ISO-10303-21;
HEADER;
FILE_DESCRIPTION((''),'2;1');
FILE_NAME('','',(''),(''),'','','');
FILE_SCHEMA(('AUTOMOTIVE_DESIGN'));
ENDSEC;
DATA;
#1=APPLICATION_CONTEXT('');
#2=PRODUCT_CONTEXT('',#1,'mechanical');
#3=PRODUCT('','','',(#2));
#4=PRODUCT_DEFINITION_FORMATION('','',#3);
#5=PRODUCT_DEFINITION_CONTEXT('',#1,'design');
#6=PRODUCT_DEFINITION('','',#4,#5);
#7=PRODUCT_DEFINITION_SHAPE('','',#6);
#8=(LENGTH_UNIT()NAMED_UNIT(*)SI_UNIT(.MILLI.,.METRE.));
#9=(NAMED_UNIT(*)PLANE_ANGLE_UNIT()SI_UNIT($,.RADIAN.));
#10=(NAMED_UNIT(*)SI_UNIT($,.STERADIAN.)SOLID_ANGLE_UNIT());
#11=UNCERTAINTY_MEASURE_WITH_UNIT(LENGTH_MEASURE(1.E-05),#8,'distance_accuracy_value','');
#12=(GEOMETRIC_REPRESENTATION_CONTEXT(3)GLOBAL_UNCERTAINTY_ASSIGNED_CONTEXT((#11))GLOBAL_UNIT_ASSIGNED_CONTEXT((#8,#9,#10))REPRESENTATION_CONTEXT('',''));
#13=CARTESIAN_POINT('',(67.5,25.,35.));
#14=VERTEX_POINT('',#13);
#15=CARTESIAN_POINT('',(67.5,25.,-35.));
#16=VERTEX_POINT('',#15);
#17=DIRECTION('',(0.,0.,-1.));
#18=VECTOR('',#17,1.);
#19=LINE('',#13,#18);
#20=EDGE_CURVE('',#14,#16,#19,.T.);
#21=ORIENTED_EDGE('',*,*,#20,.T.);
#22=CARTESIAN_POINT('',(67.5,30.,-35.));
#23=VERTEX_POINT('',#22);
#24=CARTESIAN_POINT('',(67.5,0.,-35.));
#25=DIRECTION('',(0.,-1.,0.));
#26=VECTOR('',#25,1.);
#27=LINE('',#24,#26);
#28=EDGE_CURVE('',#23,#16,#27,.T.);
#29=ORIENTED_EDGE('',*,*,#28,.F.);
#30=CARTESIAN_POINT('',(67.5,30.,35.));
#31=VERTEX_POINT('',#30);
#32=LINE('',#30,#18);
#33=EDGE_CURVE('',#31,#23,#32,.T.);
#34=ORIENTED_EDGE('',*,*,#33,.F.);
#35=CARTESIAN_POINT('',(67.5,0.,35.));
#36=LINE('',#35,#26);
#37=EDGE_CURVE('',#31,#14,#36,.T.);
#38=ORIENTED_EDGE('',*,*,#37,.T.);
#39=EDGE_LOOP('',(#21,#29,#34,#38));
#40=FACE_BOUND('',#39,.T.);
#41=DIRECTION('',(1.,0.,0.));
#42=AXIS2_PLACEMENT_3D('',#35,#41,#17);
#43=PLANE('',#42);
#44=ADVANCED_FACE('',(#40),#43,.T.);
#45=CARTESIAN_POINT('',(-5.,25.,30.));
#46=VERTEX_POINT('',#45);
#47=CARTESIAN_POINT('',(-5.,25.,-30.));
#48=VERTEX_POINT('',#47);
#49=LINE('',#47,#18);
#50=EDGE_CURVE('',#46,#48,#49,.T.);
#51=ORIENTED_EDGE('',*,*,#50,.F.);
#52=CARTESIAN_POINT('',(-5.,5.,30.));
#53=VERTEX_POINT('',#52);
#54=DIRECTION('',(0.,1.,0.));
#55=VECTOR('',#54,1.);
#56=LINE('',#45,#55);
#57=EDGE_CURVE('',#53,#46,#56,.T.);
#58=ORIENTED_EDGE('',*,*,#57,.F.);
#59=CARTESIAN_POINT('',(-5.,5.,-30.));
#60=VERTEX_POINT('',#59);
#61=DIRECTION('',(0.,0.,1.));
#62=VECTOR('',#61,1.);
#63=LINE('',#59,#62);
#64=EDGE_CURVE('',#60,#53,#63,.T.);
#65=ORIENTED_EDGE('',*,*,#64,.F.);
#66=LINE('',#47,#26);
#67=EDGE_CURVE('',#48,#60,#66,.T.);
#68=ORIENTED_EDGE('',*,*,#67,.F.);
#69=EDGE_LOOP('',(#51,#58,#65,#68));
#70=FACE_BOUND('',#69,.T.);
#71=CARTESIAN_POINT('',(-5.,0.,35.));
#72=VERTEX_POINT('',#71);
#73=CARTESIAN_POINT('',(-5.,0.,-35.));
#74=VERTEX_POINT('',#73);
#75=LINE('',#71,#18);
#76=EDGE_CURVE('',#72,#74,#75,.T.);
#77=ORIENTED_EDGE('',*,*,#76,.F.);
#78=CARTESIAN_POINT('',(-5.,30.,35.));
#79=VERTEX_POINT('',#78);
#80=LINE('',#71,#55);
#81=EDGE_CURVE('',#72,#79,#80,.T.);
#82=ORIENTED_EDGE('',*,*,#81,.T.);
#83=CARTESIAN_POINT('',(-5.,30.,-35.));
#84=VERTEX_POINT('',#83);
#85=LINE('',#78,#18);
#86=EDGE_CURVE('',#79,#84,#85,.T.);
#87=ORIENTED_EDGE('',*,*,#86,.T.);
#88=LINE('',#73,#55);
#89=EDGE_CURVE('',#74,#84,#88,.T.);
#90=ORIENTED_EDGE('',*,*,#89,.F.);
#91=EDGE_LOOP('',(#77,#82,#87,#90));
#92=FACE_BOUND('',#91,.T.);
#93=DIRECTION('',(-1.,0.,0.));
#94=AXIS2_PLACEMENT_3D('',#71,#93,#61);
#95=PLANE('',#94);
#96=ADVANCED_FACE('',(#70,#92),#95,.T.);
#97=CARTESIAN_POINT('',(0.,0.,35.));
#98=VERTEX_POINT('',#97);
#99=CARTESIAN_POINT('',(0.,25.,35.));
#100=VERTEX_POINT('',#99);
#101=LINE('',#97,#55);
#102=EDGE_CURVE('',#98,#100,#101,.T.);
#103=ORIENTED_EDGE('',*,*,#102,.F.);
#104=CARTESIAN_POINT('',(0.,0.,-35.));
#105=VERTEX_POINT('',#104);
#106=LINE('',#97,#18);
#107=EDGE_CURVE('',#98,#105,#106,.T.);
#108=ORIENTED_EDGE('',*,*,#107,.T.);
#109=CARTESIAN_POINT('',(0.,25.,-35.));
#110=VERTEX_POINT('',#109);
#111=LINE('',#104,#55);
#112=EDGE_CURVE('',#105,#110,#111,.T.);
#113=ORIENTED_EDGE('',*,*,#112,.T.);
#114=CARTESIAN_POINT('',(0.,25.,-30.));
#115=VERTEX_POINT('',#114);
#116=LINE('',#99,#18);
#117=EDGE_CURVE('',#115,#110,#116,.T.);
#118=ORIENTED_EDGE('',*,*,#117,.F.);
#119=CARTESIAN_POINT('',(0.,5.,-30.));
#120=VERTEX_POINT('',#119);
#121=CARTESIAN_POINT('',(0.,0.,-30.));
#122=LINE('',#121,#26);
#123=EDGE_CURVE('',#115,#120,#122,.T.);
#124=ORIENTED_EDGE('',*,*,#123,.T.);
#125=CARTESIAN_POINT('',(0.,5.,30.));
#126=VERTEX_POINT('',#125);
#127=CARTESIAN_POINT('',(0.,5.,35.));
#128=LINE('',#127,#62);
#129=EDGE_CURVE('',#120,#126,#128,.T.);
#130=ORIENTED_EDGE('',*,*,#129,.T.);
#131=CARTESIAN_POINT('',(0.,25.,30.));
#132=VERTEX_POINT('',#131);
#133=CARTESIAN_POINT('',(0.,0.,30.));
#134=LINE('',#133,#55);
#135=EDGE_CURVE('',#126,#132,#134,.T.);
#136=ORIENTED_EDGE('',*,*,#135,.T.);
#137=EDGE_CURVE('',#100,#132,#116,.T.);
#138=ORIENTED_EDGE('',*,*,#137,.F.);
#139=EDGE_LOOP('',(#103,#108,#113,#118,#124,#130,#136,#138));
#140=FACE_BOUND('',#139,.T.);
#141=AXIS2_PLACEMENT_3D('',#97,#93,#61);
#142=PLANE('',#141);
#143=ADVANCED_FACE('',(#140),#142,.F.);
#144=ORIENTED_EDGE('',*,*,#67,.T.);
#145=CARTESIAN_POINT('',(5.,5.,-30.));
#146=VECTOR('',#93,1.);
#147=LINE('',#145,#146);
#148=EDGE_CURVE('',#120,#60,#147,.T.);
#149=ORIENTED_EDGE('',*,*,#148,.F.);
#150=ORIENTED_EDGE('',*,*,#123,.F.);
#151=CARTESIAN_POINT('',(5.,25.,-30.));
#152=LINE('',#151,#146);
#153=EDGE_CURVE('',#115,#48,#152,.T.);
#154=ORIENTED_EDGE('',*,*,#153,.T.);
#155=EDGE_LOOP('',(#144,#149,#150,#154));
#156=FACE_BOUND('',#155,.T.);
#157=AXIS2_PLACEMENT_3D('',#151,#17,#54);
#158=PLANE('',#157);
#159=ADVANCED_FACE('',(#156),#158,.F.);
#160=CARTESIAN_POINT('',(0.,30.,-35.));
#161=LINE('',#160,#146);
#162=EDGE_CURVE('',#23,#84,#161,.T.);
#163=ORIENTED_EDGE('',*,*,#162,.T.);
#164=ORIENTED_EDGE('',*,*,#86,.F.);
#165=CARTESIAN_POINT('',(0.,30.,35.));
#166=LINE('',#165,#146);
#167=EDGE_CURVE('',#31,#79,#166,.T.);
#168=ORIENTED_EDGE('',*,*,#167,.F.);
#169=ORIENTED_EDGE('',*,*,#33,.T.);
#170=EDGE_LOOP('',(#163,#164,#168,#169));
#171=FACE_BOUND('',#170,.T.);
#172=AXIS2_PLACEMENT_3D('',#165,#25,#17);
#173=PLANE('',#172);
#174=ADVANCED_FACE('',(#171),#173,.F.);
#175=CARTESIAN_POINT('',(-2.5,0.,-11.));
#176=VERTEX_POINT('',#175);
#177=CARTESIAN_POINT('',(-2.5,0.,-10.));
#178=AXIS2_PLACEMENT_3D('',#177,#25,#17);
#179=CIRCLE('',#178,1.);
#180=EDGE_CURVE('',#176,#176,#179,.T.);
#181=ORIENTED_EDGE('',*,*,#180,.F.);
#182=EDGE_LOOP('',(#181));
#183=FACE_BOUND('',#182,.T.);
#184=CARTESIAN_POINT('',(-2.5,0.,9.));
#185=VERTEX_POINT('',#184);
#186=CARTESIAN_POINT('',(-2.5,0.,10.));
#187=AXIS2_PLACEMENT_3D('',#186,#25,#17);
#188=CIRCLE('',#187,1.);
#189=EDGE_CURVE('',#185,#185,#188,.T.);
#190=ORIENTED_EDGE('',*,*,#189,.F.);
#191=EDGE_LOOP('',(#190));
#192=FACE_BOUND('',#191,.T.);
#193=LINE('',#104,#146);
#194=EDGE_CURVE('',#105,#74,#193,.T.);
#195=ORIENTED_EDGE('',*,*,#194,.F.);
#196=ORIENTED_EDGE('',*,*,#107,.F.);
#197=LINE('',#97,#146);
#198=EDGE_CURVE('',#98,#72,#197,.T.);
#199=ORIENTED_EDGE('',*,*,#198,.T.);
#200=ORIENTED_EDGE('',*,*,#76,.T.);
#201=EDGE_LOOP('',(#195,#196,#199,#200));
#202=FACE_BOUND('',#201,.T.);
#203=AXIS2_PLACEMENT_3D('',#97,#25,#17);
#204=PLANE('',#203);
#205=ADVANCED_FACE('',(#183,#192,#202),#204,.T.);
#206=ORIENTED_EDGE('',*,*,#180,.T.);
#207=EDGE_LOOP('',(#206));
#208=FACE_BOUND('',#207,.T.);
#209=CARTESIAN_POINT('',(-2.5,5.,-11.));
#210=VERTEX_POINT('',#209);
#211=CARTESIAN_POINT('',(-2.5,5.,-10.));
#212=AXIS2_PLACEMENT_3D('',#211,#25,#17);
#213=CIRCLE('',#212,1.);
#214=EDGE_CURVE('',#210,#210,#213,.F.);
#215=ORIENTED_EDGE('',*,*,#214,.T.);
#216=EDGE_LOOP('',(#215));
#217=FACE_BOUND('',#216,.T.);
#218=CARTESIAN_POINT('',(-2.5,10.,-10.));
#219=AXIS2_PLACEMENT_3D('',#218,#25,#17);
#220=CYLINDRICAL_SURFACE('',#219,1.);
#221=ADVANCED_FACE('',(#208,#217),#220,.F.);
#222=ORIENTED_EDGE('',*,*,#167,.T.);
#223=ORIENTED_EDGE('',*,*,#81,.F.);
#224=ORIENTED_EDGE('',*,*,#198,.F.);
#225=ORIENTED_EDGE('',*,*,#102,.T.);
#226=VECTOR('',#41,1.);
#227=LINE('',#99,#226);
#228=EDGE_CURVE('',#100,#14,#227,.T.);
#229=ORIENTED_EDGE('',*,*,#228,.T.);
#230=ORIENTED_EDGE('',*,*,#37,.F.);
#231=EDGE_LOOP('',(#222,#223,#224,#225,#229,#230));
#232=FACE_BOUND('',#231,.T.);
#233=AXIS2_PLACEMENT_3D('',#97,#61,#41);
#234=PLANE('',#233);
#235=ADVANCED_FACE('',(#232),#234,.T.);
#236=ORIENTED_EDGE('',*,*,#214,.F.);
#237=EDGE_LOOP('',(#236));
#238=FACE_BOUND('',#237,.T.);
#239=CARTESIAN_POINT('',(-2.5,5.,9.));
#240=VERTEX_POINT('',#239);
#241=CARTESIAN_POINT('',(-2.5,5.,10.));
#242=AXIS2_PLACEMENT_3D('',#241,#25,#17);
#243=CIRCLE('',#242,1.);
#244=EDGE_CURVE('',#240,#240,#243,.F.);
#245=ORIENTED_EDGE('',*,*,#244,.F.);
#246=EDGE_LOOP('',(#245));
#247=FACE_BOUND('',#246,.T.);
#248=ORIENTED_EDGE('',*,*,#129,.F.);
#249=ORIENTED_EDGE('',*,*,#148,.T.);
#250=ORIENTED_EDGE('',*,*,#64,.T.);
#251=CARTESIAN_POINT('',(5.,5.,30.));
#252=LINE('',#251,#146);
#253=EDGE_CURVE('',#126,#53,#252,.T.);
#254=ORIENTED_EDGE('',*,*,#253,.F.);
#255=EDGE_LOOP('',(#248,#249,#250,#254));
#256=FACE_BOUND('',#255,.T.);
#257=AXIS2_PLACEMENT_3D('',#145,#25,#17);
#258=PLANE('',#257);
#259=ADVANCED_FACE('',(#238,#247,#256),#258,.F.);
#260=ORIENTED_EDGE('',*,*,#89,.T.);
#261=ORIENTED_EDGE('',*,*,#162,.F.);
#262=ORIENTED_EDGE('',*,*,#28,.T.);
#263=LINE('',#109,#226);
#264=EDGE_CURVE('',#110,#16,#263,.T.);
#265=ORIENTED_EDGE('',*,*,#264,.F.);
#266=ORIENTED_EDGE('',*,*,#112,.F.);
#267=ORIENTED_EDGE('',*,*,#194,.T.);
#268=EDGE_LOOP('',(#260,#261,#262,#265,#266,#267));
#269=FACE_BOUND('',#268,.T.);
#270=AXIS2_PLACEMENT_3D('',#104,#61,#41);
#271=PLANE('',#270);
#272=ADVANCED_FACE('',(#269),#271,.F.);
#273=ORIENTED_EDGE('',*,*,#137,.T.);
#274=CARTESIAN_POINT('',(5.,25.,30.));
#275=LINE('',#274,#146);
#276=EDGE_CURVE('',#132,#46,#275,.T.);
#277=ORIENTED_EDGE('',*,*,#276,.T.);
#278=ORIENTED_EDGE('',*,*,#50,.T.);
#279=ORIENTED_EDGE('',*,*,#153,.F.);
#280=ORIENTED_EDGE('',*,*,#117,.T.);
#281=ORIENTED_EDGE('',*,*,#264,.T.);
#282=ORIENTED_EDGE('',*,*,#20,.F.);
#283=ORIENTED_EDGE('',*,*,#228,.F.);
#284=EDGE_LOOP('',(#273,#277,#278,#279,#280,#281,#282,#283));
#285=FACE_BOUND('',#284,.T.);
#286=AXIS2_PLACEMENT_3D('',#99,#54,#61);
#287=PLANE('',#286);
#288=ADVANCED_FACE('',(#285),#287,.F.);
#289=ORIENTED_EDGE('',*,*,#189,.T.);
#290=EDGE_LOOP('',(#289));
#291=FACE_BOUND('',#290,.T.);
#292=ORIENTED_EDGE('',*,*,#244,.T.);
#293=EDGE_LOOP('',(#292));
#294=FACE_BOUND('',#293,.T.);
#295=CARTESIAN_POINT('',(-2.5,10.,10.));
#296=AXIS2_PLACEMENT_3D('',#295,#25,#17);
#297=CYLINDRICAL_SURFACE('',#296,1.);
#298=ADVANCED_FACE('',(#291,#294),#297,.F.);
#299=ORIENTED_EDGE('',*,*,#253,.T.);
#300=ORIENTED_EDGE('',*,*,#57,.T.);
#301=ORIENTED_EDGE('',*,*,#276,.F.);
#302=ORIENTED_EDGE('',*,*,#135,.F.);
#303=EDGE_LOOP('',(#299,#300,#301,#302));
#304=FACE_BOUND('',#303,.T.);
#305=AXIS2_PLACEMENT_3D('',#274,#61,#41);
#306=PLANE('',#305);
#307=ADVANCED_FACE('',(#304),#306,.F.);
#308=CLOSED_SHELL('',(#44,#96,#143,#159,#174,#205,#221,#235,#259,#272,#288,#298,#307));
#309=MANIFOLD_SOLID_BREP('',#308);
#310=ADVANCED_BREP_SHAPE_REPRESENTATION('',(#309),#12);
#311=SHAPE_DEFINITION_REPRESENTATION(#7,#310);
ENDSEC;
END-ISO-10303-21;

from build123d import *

# Parameters (mm, degrees)
SKETCH1_W           = 5
SKETCH1_H           = 30
SKETCH1_W_2         = 67.5
SKETCH1_H_2         = 5
BOSS_EXTRUDE1_DEPTH = 35
SKETCH2_R           = 1
CUT_EXTRUDE1_DEPTH  = 10
SKETCH3_W           = 60
SKETCH3_H           = 20
CUT_EXTRUDE2_DEPTH  = 10


with BuildPart() as part:
    # Sketch1 → Boss-Extrude1 (new, symmetric)
    with BuildSketch(Plane.XY):
        with Locations((-2.5, 15)):
            Rectangle(SKETCH1_W, SKETCH1_H)
        with Locations((33.75, 27.5)):
            Rectangle(SKETCH1_W_2, SKETCH1_H_2)
    extrude(amount=BOSS_EXTRUDE1_DEPTH, both=True)

    # Sketch2 → Cut-Extrude1 (cut)
    with BuildSketch(Plane.XZ):
        with Locations(Location((-2.5, 10, 0), (0, 0, 270))):
            Circle(SKETCH2_R)
        with Locations(Location((-2.5, -10, 0), (0, 0, 270))):
            Circle(SKETCH2_R)
    extrude(amount=-CUT_EXTRUDE1_DEPTH, mode=Mode.SUBTRACT)

    # Sketch3 → Cut-Extrude2 (cut)
    with BuildSketch(Plane.ZY.offset(5)):
        with Locations((0, 15)):
            Rectangle(SKETCH3_W, SKETCH3_H)
    extrude(amount=-CUT_EXTRUDE2_DEPTH, mode=Mode.SUBTRACT)


solid = part.part
